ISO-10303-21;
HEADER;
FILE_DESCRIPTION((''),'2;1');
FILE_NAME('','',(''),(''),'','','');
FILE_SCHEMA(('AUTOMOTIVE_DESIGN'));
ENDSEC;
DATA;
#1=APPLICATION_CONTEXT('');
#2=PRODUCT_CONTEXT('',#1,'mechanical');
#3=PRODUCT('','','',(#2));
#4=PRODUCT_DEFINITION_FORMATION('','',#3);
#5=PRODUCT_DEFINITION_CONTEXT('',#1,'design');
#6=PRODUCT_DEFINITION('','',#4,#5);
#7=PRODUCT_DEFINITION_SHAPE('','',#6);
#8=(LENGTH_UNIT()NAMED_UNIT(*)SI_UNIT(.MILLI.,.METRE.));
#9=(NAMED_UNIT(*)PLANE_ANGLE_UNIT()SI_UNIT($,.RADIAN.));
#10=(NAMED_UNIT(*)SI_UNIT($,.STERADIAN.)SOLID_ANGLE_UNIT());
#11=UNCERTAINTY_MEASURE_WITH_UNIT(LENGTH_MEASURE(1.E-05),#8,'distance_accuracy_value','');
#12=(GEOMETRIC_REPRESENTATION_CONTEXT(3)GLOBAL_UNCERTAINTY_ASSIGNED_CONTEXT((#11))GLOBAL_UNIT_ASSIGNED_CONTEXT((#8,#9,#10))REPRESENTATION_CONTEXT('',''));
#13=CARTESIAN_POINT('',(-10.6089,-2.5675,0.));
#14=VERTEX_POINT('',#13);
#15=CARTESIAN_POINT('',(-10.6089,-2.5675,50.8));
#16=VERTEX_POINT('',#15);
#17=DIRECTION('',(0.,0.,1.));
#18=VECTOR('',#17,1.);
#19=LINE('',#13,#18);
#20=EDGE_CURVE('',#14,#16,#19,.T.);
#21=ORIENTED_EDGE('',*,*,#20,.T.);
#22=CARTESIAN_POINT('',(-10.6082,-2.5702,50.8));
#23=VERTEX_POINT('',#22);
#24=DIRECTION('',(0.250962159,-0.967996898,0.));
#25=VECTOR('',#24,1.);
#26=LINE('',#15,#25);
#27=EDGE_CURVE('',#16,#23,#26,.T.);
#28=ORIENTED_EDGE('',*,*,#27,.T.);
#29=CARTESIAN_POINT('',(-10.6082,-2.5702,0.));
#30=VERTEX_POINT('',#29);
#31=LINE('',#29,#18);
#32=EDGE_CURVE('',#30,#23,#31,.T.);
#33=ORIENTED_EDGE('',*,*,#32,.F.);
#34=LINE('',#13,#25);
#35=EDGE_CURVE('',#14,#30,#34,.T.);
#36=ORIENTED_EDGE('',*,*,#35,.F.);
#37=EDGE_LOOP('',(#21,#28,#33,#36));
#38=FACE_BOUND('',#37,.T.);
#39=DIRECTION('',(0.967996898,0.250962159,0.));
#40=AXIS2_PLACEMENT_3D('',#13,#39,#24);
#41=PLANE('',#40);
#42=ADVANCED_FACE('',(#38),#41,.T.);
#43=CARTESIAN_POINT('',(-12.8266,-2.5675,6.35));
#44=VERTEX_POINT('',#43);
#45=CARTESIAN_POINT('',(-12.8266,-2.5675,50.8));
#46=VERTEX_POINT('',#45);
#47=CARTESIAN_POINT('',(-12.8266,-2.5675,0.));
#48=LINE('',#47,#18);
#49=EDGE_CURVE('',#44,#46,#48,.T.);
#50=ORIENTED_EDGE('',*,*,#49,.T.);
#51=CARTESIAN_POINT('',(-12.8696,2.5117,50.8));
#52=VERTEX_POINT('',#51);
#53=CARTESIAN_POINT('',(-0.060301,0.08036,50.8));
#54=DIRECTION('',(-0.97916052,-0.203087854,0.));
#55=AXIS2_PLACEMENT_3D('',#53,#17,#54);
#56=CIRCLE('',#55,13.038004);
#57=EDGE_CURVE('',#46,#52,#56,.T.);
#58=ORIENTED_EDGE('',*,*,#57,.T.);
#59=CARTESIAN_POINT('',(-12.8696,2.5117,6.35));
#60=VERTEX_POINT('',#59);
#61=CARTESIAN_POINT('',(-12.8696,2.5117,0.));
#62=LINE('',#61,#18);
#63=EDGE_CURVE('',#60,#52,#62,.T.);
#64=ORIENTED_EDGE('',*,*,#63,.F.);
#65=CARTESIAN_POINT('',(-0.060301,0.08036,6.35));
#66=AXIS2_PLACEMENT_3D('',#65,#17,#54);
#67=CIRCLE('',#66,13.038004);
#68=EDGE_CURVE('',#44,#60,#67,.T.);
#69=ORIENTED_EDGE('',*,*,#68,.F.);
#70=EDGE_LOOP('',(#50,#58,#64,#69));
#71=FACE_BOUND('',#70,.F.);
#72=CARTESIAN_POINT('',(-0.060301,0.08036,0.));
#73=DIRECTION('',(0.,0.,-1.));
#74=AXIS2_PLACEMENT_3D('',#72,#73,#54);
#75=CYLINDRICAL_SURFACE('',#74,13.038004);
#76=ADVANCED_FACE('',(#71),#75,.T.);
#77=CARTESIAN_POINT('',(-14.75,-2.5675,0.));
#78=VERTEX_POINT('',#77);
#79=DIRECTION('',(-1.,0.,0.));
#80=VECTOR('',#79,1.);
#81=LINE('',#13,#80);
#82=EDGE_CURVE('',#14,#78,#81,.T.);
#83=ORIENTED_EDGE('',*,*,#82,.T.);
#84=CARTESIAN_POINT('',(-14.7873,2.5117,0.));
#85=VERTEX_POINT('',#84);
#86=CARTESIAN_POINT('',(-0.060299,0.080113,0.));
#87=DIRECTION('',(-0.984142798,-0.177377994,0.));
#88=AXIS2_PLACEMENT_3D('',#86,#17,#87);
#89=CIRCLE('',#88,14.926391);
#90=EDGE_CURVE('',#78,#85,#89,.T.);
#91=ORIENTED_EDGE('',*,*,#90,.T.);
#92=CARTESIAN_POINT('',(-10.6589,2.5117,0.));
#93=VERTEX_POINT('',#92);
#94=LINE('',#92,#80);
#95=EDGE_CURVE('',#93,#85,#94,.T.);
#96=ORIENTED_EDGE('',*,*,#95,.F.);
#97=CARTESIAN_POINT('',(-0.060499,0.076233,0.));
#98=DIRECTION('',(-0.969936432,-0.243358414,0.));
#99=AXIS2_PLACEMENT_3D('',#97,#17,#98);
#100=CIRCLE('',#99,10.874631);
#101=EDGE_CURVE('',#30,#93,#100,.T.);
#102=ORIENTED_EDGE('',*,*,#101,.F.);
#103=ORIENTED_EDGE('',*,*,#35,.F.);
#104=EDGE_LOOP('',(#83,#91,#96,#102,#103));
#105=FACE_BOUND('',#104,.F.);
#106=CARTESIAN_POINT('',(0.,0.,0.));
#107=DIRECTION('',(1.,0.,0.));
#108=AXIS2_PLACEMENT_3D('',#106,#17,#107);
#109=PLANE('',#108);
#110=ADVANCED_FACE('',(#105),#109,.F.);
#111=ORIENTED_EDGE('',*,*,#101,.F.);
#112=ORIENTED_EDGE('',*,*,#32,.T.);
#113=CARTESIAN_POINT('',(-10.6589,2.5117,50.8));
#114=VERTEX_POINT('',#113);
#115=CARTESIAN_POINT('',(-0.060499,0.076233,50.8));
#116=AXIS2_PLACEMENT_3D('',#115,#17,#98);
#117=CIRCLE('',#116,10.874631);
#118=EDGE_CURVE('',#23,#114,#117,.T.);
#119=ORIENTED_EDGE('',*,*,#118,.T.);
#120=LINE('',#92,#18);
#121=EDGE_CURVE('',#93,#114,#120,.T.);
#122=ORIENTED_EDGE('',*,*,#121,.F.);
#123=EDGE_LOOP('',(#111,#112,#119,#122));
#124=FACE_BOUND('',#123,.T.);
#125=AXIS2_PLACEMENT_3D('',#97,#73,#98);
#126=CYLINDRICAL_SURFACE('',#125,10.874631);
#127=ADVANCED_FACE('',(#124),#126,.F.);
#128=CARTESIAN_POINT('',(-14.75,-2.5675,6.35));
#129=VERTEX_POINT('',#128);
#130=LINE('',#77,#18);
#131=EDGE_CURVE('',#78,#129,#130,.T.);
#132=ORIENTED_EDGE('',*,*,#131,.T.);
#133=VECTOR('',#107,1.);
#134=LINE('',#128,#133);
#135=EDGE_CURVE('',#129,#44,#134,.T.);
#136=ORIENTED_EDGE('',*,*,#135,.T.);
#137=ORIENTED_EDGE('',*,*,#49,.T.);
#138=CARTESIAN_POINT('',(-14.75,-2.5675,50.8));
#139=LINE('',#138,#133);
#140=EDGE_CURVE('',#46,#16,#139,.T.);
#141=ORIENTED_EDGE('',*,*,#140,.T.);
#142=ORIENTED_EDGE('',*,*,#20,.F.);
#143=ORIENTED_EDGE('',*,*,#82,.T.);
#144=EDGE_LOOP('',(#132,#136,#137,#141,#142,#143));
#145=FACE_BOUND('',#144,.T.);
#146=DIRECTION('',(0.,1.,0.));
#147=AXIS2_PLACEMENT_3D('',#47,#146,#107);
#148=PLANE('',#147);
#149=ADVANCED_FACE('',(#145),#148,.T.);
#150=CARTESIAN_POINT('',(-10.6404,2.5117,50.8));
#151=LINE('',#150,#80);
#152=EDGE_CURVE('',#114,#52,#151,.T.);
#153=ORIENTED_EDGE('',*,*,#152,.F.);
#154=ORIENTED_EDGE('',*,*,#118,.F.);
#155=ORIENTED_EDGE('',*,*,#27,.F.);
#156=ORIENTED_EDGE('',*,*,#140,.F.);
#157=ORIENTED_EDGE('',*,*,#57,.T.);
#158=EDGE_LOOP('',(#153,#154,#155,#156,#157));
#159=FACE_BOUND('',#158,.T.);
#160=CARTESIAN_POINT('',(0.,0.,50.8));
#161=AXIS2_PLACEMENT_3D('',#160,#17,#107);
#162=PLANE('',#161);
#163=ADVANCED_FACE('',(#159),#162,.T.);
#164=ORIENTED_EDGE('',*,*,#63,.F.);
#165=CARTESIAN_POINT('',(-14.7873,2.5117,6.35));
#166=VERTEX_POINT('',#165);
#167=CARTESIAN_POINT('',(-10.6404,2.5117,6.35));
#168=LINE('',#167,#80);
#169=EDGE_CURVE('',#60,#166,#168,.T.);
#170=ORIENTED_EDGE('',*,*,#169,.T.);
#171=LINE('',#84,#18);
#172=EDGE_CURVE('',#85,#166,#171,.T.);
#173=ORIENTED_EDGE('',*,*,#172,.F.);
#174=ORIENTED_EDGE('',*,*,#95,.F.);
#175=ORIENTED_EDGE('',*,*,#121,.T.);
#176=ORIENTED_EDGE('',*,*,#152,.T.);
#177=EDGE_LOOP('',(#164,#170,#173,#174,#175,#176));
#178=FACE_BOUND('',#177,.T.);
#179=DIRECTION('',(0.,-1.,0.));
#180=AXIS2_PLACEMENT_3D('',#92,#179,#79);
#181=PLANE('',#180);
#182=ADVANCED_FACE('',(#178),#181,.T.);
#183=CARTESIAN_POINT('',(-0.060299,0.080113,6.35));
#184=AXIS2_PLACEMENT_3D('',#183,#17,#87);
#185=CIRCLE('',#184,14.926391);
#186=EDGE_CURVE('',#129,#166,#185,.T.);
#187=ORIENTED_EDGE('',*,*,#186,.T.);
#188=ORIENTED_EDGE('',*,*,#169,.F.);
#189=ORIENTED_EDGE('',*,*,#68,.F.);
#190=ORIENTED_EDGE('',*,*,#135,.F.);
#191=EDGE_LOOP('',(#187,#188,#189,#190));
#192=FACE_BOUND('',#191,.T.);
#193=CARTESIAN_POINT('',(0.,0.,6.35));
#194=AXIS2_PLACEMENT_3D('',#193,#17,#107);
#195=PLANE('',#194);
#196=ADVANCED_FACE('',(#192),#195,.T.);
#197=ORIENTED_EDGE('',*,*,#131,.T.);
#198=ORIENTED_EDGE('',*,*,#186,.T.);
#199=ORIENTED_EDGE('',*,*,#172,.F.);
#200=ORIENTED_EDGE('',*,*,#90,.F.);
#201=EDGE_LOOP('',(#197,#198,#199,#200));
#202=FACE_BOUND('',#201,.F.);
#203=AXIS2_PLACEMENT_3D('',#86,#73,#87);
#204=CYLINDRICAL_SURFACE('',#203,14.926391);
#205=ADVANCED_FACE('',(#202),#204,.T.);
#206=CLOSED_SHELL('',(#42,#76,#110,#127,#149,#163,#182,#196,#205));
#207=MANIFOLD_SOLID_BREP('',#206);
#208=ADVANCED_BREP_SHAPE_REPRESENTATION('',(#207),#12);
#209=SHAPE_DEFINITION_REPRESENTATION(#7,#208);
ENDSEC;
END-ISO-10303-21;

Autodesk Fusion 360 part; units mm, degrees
sketch "Sketch1" plane through (0, 0, 0) normal (0, 0, 1) x (1, 0, 0)
  line L0 (-14.75, -2.5675) -> (-10.6089, -2.5675)
  line L1 (-10.6089, -2.5675) -> (-10.6082, -2.5702)
  line L2 (-10.6404, 2.5117) -> (-14.7873, 2.5117)
  arc A0 (-14.75, -2.5675) -> (-14.7873, 2.5117) centre (-0.0603, 0.0802) ccw
  arc A1 (-12.8266, -2.5675) -> (-12.8696, 2.5117) centre (-0.0603, 0.0802) ccw
  arc A2 (-10.6082, -2.5702) -> (-10.6589, 2.5117) centre (-0.0605, 0.0763) ccw
sketch "Sketch3" plane through (0, 0, 0) normal (0, 0, 1) x (1, 0, 0)
extrude "Extrude1" add sketch "Sketch1" along normal blind 6.35
extrude "Extrude4" cut sketch "Sketch1" along normal blind 43.18 contours L0 L1 L2 A1 A2
extrude "Extrude5" add sketch "Sketch1" along normal blind 50.8 contours L0 L1 L2 A1 A2
extrude "Extrude3" [suppressed]
extrude "Extrude2" [suppressed]
